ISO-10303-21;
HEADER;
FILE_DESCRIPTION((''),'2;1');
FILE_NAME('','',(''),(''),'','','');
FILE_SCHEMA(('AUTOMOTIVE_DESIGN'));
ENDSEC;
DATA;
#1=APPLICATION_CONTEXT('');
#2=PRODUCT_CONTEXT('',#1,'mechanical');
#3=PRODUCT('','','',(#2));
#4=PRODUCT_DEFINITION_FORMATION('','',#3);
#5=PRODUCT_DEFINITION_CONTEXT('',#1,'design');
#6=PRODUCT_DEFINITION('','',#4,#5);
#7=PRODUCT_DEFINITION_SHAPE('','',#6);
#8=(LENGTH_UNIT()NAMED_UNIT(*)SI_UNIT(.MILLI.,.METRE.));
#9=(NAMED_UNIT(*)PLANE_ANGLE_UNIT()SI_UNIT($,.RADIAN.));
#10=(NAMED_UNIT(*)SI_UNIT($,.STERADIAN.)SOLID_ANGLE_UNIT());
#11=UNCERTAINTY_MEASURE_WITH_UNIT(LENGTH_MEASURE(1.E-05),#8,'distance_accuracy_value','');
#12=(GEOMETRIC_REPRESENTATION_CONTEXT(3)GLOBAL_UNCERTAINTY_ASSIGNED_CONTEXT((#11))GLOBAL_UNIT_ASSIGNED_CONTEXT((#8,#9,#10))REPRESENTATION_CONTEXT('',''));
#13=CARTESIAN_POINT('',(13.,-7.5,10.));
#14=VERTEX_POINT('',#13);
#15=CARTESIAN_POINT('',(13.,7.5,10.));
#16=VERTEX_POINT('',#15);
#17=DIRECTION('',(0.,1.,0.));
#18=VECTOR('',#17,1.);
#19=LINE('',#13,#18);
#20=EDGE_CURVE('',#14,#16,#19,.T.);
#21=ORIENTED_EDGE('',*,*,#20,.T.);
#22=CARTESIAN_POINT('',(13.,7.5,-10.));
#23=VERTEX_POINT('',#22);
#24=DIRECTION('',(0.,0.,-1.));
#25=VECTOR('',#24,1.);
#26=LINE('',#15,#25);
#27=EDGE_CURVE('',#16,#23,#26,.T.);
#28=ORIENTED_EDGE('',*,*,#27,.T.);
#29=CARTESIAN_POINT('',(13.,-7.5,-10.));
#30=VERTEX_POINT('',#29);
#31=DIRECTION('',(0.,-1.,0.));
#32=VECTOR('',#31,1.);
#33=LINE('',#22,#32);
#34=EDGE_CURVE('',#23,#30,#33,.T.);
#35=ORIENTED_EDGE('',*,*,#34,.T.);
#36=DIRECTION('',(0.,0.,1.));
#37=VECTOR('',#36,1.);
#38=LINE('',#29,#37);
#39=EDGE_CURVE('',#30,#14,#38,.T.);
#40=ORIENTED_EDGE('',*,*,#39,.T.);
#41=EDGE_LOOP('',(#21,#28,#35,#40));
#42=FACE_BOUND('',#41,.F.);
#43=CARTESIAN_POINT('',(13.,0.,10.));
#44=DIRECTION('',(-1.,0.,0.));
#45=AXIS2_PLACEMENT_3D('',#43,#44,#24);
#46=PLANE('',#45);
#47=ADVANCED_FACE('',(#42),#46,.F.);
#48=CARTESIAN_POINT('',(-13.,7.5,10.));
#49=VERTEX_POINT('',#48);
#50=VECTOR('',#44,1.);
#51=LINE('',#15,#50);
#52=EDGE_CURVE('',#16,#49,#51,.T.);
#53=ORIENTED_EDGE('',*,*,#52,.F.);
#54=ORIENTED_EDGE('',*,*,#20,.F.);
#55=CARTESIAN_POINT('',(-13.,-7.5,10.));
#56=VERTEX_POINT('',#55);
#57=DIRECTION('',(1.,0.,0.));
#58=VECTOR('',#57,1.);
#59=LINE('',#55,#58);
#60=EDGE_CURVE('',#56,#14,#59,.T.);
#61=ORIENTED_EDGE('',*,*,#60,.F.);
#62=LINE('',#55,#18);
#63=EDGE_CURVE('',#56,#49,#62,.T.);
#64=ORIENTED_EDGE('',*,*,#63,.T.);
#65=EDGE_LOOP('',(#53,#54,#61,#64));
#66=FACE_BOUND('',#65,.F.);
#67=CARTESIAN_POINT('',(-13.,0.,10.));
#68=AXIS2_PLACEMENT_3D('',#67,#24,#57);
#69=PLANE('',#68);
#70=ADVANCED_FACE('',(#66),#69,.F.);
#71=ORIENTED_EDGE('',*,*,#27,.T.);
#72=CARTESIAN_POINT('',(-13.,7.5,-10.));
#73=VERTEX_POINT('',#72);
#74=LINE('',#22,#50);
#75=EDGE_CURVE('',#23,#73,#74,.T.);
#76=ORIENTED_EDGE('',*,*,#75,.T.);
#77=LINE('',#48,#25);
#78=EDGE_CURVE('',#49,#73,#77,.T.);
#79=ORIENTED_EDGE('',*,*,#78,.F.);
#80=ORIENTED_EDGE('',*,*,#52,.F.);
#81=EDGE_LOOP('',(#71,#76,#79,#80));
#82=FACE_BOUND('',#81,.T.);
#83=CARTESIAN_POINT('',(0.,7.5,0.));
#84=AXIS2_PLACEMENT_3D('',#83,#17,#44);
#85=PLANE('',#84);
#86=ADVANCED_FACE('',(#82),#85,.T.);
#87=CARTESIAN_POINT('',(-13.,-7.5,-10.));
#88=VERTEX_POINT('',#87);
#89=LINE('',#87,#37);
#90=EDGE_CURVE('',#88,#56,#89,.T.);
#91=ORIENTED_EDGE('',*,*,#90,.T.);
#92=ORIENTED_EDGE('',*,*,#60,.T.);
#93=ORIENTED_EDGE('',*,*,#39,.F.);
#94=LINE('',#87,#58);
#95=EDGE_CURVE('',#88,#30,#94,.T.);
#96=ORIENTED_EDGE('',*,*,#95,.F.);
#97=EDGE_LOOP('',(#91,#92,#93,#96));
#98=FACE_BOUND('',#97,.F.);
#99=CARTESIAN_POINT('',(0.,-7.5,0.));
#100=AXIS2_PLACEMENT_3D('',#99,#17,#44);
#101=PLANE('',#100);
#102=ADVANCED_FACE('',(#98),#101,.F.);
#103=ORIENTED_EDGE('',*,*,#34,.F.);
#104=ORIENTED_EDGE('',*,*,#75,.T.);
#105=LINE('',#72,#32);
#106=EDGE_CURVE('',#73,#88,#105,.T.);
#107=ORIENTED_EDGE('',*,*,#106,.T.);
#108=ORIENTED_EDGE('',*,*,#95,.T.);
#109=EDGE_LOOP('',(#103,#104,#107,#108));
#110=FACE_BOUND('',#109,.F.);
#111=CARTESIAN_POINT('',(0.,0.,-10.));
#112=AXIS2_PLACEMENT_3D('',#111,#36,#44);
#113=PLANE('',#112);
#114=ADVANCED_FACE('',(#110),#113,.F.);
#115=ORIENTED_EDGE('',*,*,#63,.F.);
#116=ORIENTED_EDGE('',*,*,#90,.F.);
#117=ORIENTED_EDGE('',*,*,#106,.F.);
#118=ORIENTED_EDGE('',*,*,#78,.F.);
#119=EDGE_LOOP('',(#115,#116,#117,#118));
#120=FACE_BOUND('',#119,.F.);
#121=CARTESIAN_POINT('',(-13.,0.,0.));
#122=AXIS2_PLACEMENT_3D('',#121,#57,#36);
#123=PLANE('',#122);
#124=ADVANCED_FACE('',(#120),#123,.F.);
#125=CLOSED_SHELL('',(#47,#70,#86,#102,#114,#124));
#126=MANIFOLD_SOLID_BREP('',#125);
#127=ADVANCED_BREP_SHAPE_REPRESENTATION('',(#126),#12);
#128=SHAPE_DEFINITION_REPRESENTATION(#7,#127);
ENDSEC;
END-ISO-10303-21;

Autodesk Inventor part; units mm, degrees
ref_plane "YZ Plane" through (0, 0, 0) normal (1, 0, 0) x (0, 1, 0)
ref_plane "XZ Plane" through (0, 0, 0) normal (0, 1, 0) x (-1, 0, 0)
ref_plane "XY Plane" through (0, 0, 0) normal (0, 0, 1) x (1, 0, 0)
sketch "Sketch1" plane through (0, 0, 0) normal (0, 1, 0) x (-1, 0, 0)
  line L0 (13, 10) -> (-13, 10)
  line L1 (-13, 10) -> (-13, -10)
  line L2 (-13, -10) -> (13, -10)
  line L3 (13, -10) -> (13, 10)
  line L4 (0, -14) -> (0, 14) projected
  line L5 (-18.2, 0) -> (18.2, 0) projected
  point P0 (0, 0)
  dimension "d0" = 26
  dimension "d1" = 20
extrude "Extrusion1" add sketch "Sketch1" along normal mid plane 15
properties part number "rectangle_1"
